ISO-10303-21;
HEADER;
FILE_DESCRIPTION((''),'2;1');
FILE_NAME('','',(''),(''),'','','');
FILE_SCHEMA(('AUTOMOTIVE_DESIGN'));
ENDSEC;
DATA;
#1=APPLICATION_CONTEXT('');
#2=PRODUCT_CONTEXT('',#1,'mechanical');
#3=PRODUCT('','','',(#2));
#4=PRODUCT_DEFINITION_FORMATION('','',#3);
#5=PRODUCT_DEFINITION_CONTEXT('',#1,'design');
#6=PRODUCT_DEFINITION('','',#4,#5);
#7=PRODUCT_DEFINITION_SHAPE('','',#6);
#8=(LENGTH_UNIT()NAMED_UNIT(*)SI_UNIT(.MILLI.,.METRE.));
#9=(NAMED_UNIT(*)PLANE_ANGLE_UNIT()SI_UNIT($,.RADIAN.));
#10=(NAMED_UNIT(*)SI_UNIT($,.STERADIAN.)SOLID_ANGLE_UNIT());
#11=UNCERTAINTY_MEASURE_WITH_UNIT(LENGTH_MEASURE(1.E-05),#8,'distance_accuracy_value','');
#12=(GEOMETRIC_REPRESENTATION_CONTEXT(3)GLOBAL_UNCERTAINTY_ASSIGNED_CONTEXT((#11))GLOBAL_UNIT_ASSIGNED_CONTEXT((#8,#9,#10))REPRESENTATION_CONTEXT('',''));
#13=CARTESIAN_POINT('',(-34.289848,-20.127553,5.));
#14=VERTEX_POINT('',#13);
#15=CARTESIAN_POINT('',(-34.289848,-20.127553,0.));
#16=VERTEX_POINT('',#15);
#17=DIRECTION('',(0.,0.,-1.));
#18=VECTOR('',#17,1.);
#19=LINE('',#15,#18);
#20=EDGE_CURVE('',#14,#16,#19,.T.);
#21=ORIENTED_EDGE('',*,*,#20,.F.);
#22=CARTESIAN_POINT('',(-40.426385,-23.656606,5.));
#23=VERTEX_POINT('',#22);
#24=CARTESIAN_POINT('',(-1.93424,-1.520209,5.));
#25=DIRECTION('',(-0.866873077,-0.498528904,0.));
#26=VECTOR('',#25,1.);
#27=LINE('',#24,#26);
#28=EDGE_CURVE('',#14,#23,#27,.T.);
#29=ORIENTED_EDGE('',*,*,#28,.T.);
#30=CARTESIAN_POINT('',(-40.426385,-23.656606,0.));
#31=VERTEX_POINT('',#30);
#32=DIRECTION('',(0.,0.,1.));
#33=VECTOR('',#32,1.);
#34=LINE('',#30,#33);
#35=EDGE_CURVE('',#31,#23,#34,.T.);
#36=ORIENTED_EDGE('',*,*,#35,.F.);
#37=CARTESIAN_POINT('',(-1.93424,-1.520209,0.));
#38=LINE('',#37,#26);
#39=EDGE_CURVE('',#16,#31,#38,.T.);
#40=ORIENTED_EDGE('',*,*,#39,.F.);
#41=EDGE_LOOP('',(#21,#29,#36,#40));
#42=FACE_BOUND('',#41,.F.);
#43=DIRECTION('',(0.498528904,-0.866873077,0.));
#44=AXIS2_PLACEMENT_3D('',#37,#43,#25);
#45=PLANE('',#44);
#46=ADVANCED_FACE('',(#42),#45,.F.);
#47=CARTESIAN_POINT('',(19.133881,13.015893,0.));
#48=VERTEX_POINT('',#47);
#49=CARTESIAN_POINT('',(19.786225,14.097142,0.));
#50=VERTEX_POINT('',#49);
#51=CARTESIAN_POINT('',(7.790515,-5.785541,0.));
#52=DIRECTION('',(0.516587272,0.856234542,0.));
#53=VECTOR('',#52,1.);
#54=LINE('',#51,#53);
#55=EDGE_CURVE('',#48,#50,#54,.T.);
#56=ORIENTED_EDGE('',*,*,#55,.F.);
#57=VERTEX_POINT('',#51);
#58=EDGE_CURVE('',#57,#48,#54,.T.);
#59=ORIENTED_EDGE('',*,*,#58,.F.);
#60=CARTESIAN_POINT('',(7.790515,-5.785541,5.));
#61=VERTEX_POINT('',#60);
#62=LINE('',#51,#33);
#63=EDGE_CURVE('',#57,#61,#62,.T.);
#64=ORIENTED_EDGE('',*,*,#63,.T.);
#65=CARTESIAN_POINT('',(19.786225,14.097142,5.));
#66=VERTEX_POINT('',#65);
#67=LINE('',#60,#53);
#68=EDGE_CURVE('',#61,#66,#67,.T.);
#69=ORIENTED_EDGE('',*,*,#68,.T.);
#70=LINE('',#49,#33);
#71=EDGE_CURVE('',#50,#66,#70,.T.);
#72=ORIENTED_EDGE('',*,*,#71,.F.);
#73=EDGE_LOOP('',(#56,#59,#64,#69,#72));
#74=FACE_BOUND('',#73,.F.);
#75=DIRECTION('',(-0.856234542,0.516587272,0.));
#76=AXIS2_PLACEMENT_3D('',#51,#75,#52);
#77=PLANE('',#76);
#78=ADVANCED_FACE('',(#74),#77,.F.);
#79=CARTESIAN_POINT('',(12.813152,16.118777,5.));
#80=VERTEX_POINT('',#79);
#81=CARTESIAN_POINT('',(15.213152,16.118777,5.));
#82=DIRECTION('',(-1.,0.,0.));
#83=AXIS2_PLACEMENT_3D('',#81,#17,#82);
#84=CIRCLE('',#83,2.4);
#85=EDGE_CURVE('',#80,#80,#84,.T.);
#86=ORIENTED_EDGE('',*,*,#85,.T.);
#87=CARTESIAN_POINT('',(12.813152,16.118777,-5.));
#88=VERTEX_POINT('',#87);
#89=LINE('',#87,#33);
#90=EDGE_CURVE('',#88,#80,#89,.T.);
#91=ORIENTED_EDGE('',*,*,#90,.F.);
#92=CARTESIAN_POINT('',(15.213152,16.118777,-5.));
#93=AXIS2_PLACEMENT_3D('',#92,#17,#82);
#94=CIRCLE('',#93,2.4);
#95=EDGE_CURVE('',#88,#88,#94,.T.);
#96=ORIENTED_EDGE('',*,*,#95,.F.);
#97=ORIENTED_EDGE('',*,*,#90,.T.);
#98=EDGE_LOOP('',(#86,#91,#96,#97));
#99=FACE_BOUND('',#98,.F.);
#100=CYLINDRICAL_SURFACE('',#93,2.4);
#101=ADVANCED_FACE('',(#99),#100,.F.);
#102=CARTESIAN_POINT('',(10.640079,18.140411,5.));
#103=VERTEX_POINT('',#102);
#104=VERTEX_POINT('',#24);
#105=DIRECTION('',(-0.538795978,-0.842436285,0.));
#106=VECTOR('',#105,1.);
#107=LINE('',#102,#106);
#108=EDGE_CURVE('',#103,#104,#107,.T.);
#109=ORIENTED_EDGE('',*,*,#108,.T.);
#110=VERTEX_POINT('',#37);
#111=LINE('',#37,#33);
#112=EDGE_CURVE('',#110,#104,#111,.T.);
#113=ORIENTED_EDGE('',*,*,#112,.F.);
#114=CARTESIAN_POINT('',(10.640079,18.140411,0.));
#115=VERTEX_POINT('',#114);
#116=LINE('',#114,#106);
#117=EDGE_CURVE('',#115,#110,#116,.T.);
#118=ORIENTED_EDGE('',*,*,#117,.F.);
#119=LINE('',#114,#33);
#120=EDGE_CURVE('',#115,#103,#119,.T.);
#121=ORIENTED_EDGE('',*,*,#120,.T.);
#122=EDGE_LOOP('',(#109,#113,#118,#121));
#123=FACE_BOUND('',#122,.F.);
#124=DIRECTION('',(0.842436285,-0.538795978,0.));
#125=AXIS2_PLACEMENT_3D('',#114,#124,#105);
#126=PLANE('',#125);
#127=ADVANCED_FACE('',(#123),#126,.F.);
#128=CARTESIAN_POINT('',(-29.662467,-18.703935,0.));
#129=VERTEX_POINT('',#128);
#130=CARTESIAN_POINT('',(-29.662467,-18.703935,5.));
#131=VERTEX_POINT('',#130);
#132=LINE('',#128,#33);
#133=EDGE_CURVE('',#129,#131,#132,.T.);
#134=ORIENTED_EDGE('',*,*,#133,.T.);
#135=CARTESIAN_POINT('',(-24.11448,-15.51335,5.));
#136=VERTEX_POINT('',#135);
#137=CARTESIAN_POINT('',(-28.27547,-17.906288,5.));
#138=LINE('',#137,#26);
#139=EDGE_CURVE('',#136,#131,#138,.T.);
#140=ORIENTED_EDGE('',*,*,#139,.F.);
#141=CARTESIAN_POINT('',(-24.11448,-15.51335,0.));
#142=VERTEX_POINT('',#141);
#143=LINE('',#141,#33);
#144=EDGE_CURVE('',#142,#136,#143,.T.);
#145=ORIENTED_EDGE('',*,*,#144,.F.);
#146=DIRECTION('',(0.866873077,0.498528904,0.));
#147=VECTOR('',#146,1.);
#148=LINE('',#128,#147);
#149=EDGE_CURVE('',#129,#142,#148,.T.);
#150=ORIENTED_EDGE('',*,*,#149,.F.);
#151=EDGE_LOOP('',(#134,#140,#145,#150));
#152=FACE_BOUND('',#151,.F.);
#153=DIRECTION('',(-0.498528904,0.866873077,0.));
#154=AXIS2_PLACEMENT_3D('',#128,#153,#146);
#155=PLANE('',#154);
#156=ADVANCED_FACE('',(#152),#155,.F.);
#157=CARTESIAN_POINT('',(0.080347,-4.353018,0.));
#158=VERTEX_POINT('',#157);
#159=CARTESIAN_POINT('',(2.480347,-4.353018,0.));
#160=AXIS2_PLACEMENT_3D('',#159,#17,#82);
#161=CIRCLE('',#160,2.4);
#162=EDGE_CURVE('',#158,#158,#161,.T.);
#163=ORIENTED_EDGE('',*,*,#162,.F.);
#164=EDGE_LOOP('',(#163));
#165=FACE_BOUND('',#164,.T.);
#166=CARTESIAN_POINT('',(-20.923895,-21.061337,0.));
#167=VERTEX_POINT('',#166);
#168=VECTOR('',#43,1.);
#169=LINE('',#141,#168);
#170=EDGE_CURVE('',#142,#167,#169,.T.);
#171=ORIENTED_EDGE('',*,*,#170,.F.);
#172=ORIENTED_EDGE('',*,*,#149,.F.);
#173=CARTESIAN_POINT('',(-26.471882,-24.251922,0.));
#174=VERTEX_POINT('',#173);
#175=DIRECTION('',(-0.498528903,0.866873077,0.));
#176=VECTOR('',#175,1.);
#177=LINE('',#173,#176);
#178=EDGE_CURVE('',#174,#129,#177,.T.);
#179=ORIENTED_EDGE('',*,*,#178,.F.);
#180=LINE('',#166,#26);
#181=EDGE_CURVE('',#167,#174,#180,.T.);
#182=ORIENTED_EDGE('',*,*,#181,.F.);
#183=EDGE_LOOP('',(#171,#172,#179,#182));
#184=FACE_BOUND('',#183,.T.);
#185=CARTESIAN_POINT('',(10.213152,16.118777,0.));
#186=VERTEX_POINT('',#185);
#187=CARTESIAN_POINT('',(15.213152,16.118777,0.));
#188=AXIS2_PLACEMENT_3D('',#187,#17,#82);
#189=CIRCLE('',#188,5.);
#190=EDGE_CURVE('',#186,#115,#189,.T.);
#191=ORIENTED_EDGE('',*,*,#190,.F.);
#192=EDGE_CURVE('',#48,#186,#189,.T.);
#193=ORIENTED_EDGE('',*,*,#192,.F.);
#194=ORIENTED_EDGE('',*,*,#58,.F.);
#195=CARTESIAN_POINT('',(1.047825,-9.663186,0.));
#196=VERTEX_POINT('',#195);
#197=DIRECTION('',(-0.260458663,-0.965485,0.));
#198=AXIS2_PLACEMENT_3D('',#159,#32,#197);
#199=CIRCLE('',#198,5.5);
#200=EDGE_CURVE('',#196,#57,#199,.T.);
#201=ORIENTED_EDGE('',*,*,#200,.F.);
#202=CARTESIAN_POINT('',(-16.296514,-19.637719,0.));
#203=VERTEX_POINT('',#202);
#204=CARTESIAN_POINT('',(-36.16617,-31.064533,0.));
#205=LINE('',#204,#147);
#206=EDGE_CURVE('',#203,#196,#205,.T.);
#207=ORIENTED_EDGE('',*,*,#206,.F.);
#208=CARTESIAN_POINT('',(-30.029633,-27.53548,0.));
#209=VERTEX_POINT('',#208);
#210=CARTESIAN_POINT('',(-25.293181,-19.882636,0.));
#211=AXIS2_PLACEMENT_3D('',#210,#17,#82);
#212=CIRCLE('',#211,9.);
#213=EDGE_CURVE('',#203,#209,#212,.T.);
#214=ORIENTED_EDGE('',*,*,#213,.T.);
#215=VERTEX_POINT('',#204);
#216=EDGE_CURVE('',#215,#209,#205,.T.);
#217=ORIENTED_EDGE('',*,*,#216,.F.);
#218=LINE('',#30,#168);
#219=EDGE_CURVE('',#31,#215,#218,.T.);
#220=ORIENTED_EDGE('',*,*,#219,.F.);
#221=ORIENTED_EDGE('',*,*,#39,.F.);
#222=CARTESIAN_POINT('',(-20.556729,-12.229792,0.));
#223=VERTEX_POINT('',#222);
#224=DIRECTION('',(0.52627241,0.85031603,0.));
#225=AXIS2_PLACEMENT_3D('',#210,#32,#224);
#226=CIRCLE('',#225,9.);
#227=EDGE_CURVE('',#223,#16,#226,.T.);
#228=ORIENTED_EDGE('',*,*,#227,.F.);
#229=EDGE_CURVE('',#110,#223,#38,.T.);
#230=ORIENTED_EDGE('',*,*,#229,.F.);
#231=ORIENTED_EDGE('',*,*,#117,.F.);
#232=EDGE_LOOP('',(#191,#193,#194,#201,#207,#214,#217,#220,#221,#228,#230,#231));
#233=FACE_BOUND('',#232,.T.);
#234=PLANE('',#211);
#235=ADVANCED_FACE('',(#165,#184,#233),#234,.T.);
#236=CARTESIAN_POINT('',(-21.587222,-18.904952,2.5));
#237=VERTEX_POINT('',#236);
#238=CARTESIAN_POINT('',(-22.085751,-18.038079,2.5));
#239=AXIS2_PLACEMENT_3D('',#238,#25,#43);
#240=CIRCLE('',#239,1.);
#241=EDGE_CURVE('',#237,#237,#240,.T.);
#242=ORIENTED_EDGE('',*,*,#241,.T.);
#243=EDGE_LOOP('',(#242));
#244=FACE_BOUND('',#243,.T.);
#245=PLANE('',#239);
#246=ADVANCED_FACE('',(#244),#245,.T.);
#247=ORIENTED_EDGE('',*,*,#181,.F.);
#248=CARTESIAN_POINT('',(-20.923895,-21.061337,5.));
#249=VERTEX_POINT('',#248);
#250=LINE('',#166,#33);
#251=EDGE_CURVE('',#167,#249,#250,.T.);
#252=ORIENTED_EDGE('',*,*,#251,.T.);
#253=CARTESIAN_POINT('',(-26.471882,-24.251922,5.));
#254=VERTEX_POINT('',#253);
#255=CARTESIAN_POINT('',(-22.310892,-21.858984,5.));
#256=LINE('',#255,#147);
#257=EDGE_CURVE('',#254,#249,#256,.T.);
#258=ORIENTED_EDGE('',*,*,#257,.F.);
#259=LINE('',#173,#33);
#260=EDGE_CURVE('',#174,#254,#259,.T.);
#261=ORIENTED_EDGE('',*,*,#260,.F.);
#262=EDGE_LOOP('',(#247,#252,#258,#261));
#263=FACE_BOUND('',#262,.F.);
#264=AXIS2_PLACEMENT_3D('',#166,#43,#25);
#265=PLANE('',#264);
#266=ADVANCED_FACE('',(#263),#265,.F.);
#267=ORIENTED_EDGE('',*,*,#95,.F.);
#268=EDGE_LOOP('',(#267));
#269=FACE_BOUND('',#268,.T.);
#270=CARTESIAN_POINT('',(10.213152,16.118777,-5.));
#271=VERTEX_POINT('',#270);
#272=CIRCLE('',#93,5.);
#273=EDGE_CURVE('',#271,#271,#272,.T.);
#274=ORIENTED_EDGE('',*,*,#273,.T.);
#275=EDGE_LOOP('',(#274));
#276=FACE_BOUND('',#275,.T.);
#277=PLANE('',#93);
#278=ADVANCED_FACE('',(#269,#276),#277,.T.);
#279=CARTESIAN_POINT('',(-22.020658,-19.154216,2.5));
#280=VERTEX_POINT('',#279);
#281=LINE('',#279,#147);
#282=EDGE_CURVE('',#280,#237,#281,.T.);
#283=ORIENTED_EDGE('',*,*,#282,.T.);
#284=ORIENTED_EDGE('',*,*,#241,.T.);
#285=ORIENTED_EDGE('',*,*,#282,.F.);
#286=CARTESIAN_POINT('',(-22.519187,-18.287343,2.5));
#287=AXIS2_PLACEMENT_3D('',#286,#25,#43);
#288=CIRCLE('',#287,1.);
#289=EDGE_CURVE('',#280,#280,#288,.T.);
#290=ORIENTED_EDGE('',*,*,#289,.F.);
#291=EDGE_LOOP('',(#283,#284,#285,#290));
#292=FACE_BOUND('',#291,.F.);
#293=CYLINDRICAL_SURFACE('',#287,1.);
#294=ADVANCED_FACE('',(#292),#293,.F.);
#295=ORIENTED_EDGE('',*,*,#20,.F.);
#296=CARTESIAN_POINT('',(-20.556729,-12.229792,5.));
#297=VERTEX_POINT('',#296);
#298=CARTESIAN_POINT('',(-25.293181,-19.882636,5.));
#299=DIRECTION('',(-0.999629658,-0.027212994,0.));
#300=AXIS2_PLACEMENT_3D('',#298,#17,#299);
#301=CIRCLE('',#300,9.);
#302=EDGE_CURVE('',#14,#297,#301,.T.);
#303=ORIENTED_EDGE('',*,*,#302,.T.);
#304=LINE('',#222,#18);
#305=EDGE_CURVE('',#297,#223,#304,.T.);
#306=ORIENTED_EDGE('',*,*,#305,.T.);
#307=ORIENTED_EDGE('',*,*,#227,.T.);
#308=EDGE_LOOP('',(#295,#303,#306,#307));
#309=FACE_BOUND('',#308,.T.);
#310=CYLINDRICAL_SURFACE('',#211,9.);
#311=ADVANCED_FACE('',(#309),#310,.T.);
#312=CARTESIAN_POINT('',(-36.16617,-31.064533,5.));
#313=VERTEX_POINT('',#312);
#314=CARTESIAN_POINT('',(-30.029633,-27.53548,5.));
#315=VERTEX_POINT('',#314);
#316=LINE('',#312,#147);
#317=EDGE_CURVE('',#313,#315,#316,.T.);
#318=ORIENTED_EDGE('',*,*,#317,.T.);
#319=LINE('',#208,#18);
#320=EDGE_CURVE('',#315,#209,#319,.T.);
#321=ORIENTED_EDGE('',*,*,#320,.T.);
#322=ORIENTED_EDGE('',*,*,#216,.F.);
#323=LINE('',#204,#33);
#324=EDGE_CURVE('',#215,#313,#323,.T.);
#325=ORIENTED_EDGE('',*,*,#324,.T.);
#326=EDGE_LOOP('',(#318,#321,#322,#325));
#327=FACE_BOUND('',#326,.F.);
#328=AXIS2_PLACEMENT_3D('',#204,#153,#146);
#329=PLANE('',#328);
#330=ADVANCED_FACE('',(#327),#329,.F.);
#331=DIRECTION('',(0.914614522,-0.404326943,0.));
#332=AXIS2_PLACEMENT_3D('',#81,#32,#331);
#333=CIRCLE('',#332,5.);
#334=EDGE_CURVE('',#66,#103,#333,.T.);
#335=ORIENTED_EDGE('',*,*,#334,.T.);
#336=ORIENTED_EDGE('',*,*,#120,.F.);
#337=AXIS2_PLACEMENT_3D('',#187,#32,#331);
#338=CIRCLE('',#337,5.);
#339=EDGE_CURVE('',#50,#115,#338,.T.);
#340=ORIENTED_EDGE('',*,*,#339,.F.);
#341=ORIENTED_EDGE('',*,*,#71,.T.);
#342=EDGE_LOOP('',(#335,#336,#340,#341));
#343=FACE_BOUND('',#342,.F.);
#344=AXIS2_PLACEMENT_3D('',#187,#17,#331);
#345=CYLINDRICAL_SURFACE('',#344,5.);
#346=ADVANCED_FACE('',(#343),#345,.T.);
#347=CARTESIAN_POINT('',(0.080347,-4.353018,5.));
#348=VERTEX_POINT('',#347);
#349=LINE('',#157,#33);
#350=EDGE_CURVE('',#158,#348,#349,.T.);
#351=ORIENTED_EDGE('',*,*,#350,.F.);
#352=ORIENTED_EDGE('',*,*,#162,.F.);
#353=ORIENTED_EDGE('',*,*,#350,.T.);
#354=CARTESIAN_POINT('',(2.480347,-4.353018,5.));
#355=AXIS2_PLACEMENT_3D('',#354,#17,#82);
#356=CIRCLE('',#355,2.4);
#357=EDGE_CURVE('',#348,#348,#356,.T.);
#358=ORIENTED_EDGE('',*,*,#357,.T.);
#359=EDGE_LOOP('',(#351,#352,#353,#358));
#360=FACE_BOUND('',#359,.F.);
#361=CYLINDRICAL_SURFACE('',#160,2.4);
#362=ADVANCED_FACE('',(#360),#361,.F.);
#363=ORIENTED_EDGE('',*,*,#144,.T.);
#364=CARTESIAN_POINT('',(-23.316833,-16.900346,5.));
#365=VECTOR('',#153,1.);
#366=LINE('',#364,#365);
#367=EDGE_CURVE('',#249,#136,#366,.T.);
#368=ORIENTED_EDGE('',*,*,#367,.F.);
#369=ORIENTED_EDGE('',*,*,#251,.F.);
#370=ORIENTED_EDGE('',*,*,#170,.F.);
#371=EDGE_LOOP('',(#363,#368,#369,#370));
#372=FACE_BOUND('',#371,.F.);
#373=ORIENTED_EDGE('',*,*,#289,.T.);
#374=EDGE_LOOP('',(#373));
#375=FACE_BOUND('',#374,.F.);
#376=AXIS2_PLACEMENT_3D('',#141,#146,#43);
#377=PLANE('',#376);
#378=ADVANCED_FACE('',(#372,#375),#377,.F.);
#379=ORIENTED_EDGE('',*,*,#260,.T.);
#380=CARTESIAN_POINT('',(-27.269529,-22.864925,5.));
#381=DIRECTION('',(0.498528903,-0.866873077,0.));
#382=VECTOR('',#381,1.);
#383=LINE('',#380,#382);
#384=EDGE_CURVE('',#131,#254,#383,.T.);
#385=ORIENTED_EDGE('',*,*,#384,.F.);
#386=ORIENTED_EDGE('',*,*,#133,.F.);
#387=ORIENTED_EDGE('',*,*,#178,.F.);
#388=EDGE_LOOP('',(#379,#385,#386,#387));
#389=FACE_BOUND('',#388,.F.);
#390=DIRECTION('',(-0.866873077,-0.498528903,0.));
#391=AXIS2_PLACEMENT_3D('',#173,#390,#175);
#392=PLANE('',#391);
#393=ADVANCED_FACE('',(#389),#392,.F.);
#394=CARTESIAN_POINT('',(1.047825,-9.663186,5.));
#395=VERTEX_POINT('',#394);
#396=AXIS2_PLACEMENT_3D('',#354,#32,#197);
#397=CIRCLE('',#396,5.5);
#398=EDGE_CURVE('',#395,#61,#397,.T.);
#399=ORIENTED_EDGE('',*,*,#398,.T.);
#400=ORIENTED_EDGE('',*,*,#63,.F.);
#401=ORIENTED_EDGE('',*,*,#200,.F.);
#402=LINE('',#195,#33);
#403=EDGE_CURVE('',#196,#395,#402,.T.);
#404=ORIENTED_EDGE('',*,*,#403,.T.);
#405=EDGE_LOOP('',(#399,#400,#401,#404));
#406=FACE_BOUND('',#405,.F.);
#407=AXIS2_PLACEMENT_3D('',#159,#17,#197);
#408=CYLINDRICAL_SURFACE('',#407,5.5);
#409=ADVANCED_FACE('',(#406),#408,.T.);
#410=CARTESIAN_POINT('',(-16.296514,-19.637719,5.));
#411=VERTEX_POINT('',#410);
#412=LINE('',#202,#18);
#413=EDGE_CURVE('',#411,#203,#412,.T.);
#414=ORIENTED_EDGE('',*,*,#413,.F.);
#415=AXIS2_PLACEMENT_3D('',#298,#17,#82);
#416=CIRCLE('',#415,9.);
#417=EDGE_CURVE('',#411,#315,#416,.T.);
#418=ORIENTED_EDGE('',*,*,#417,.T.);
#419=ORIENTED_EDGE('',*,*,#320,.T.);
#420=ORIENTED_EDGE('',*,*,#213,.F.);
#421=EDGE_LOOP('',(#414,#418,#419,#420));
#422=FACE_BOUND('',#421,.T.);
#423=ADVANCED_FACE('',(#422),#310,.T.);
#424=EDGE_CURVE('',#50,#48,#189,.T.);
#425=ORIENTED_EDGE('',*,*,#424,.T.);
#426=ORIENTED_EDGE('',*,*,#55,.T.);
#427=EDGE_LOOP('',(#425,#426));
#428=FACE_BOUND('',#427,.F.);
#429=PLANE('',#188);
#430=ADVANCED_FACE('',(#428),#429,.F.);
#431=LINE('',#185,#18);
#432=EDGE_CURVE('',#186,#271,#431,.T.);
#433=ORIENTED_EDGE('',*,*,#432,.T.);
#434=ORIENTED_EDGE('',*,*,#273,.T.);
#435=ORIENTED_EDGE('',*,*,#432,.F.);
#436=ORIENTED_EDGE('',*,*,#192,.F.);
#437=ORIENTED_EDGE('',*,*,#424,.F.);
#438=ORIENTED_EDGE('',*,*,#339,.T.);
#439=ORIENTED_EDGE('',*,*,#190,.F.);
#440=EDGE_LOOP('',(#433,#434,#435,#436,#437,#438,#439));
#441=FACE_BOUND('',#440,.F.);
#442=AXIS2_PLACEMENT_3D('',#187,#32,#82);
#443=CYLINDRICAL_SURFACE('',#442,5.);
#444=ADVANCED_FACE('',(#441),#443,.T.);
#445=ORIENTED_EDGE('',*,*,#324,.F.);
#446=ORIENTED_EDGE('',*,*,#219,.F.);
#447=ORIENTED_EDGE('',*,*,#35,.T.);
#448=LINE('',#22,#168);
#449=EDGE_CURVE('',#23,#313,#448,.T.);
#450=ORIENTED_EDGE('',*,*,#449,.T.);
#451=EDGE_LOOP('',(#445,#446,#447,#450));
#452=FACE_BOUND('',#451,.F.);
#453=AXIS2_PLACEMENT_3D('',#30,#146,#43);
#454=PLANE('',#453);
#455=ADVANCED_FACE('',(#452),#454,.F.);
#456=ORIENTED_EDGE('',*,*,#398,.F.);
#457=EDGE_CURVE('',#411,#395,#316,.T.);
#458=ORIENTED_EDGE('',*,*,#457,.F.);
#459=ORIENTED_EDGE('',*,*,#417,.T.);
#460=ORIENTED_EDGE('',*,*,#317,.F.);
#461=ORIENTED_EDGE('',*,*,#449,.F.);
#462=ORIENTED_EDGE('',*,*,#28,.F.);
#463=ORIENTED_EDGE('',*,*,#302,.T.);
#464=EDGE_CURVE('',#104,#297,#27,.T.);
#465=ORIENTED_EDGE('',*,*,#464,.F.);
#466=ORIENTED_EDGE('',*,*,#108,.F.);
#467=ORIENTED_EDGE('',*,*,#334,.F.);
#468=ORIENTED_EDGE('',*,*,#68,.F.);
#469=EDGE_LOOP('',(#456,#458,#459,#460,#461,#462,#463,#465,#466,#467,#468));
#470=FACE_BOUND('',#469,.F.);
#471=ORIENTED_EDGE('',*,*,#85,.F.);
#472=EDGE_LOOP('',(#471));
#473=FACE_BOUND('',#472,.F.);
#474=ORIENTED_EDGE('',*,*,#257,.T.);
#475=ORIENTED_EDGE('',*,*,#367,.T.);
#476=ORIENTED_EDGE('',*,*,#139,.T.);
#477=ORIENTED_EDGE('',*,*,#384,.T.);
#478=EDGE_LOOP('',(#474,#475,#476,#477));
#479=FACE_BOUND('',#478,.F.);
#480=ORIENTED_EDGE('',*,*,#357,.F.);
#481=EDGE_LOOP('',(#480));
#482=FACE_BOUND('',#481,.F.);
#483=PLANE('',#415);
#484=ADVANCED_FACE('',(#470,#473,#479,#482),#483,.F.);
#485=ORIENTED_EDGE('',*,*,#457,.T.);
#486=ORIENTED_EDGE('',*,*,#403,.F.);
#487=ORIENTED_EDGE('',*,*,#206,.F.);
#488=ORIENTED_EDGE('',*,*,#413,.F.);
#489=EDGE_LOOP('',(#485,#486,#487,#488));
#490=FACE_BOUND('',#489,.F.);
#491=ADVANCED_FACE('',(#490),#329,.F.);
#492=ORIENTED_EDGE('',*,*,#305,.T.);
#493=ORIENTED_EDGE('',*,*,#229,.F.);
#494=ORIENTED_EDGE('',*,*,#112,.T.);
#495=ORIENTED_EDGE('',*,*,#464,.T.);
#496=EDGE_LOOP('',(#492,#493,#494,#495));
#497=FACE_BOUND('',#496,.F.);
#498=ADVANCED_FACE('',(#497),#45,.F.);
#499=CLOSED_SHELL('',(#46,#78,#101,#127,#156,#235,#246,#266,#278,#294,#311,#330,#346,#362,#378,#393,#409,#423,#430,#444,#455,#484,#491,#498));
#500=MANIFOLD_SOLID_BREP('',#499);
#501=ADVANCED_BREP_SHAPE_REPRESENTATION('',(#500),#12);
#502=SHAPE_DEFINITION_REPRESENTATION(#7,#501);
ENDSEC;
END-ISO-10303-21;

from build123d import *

# Parameters (mm, degrees)
BOSS_EXTRUDE1_DEPTH = 5
SKETCH8_R           = 9
BOSS_EXTRUDE3_DEPTH = 5
CUT_EXTRUDE1_REACH  = 53.228
SKETCH12_R          = 1
CUT_EXTRUDE2_DEPTH  = 0.5
SKETCH13_R          = 5
BOSS_EXTRUDE5_DEPTH = 5
CUT_EXTRUDE3_REACH  = 53.955
SKETCH15_R          = 2.4
CUT_EXTRUDE4_REACH  = 53.228
SKETCH16_R          = 2.4


with BuildPart() as part:
    # Sketch1 → Boss-Extrude1 (new body)
    with BuildSketch(Plane(origin=(0, 0, 0), x_dir=(0.4985289035363021, -0.866873077410351, 0), z_dir=(0, 0, 1))):
        with BuildLine():
            ThreePointArc((8.899126574, -3.909046337), (10.510039278, -0.019959041), (8.899126574, 3.869128256))
            Line((8.899126574, 3.869128256), (-2.35642803, 24.179978159))
            ThreePointArc((-2.35642803, 24.179978159), (-9.345167797, 25.255857552), (-10.421047189, 18.267117784))
            Line((-10.421047189, 18.267117784), (0.353553391, -2.434608777))
            Line((0.353553391, -2.434608777), (0.353553391, -46.838046337))
            Line((0.353553391, -46.838046337), (8.899126574, -46.838046337))
            Line((8.899126574, -46.838046337), (8.899126574, -3.909046337))
        make_face()
    extrude(amount=BOSS_EXTRUDE1_DEPTH)

    # Sketch8 → Boss-Extrude3 (add)
    with BuildSketch(Plane(origin=(0, 0, 0), x_dir=(-1, 0, 0), z_dir=(0, 0, -1))):
        with Locations((25.293181008, -19.882635909)):
            Circle(SKETCH8_R)
    extrude(amount=-BOSS_EXTRUDE3_DEPTH)

    # Sketch11 → Cut-Extrude1 (cut, up to next)
    with BuildSketch(Plane(origin=(0, 0, 0), x_dir=(-1, 0, 0), z_dir=(0, 0, -1)), mode=Mode.PRIVATE) as cut_extrude1_sk1:
        Polygon((26.471882365, -24.251922248), (29.662467347, -18.703934553), (24.114479652, -15.51334957), (20.923894669, -21.061337265), align=None)
    cut_extrude1_tool1 = extrude(cut_extrude1_sk1.sketch, amount=-CUT_EXTRUDE1_REACH, mode=Mode.PRIVATE) & part.part
    add(cut_extrude1_tool1.solids().sort_by_distance((-25.293181, -19.882636, 0))[0], mode=Mode.SUBTRACT)

    # Sketch12 → Cut-Extrude2 (cut)
    with BuildSketch(Plane(origin=(-24.825551359, -14.27689384, 0), x_dir=(0, 0, 1), z_dir=(-0.866873077410351, -0.49852890353630236, 0))):
        with Locations(Location((2.5, -4.626339983, 0), (0, 0, 270))):
            Circle(SKETCH12_R)
    extrude(amount=-CUT_EXTRUDE2_DEPTH, mode=Mode.SUBTRACT)

    # Sketch13 → Boss-Extrude5 (add)
    with BuildSketch(Plane(origin=(0, 0, 0), x_dir=(-1, 0, 0), z_dir=(0, 0, -1))):
        with Locations((-15.213151988, 16.118776732)):
            Circle(SKETCH13_R)
    extrude(amount=BOSS_EXTRUDE5_DEPTH)

    # Sketch15 → Cut-Extrude3 (cut, up to next)
    with BuildSketch(Plane(origin=(0, 0, -5), x_dir=(-1, 0, 0), z_dir=(0, 0, -1)), mode=Mode.PRIVATE) as cut_extrude3_sk1:
        with Locations((-15.213151988, 16.118776732)):
            Circle(SKETCH15_R)
    cut_extrude3_tool1 = extrude(cut_extrude3_sk1.sketch, amount=-CUT_EXTRUDE3_REACH, mode=Mode.PRIVATE) & part.part
    add(cut_extrude3_tool1.solids().sort_by_distance((15.213152, 16.118777, -5))[0], mode=Mode.SUBTRACT)

    # Sketch16 → Cut-Extrude4 (cut, up to next)
    with BuildSketch(Plane(origin=(0, 0, 0), x_dir=(-1, 0, 0), z_dir=(0, 0, -1)), mode=Mode.PRIVATE) as cut_extrude4_sk1:
        with Locations((-2.480347433, -4.353018325)):
            Circle(SKETCH16_R)
    cut_extrude4_tool1 = extrude(cut_extrude4_sk1.sketch, amount=-CUT_EXTRUDE4_REACH, mode=Mode.PRIVATE) & part.part
    add(cut_extrude4_tool1.solids().sort_by_distance((2.480347, -4.353018, 0))[0], mode=Mode.SUBTRACT)


solid = part.part
